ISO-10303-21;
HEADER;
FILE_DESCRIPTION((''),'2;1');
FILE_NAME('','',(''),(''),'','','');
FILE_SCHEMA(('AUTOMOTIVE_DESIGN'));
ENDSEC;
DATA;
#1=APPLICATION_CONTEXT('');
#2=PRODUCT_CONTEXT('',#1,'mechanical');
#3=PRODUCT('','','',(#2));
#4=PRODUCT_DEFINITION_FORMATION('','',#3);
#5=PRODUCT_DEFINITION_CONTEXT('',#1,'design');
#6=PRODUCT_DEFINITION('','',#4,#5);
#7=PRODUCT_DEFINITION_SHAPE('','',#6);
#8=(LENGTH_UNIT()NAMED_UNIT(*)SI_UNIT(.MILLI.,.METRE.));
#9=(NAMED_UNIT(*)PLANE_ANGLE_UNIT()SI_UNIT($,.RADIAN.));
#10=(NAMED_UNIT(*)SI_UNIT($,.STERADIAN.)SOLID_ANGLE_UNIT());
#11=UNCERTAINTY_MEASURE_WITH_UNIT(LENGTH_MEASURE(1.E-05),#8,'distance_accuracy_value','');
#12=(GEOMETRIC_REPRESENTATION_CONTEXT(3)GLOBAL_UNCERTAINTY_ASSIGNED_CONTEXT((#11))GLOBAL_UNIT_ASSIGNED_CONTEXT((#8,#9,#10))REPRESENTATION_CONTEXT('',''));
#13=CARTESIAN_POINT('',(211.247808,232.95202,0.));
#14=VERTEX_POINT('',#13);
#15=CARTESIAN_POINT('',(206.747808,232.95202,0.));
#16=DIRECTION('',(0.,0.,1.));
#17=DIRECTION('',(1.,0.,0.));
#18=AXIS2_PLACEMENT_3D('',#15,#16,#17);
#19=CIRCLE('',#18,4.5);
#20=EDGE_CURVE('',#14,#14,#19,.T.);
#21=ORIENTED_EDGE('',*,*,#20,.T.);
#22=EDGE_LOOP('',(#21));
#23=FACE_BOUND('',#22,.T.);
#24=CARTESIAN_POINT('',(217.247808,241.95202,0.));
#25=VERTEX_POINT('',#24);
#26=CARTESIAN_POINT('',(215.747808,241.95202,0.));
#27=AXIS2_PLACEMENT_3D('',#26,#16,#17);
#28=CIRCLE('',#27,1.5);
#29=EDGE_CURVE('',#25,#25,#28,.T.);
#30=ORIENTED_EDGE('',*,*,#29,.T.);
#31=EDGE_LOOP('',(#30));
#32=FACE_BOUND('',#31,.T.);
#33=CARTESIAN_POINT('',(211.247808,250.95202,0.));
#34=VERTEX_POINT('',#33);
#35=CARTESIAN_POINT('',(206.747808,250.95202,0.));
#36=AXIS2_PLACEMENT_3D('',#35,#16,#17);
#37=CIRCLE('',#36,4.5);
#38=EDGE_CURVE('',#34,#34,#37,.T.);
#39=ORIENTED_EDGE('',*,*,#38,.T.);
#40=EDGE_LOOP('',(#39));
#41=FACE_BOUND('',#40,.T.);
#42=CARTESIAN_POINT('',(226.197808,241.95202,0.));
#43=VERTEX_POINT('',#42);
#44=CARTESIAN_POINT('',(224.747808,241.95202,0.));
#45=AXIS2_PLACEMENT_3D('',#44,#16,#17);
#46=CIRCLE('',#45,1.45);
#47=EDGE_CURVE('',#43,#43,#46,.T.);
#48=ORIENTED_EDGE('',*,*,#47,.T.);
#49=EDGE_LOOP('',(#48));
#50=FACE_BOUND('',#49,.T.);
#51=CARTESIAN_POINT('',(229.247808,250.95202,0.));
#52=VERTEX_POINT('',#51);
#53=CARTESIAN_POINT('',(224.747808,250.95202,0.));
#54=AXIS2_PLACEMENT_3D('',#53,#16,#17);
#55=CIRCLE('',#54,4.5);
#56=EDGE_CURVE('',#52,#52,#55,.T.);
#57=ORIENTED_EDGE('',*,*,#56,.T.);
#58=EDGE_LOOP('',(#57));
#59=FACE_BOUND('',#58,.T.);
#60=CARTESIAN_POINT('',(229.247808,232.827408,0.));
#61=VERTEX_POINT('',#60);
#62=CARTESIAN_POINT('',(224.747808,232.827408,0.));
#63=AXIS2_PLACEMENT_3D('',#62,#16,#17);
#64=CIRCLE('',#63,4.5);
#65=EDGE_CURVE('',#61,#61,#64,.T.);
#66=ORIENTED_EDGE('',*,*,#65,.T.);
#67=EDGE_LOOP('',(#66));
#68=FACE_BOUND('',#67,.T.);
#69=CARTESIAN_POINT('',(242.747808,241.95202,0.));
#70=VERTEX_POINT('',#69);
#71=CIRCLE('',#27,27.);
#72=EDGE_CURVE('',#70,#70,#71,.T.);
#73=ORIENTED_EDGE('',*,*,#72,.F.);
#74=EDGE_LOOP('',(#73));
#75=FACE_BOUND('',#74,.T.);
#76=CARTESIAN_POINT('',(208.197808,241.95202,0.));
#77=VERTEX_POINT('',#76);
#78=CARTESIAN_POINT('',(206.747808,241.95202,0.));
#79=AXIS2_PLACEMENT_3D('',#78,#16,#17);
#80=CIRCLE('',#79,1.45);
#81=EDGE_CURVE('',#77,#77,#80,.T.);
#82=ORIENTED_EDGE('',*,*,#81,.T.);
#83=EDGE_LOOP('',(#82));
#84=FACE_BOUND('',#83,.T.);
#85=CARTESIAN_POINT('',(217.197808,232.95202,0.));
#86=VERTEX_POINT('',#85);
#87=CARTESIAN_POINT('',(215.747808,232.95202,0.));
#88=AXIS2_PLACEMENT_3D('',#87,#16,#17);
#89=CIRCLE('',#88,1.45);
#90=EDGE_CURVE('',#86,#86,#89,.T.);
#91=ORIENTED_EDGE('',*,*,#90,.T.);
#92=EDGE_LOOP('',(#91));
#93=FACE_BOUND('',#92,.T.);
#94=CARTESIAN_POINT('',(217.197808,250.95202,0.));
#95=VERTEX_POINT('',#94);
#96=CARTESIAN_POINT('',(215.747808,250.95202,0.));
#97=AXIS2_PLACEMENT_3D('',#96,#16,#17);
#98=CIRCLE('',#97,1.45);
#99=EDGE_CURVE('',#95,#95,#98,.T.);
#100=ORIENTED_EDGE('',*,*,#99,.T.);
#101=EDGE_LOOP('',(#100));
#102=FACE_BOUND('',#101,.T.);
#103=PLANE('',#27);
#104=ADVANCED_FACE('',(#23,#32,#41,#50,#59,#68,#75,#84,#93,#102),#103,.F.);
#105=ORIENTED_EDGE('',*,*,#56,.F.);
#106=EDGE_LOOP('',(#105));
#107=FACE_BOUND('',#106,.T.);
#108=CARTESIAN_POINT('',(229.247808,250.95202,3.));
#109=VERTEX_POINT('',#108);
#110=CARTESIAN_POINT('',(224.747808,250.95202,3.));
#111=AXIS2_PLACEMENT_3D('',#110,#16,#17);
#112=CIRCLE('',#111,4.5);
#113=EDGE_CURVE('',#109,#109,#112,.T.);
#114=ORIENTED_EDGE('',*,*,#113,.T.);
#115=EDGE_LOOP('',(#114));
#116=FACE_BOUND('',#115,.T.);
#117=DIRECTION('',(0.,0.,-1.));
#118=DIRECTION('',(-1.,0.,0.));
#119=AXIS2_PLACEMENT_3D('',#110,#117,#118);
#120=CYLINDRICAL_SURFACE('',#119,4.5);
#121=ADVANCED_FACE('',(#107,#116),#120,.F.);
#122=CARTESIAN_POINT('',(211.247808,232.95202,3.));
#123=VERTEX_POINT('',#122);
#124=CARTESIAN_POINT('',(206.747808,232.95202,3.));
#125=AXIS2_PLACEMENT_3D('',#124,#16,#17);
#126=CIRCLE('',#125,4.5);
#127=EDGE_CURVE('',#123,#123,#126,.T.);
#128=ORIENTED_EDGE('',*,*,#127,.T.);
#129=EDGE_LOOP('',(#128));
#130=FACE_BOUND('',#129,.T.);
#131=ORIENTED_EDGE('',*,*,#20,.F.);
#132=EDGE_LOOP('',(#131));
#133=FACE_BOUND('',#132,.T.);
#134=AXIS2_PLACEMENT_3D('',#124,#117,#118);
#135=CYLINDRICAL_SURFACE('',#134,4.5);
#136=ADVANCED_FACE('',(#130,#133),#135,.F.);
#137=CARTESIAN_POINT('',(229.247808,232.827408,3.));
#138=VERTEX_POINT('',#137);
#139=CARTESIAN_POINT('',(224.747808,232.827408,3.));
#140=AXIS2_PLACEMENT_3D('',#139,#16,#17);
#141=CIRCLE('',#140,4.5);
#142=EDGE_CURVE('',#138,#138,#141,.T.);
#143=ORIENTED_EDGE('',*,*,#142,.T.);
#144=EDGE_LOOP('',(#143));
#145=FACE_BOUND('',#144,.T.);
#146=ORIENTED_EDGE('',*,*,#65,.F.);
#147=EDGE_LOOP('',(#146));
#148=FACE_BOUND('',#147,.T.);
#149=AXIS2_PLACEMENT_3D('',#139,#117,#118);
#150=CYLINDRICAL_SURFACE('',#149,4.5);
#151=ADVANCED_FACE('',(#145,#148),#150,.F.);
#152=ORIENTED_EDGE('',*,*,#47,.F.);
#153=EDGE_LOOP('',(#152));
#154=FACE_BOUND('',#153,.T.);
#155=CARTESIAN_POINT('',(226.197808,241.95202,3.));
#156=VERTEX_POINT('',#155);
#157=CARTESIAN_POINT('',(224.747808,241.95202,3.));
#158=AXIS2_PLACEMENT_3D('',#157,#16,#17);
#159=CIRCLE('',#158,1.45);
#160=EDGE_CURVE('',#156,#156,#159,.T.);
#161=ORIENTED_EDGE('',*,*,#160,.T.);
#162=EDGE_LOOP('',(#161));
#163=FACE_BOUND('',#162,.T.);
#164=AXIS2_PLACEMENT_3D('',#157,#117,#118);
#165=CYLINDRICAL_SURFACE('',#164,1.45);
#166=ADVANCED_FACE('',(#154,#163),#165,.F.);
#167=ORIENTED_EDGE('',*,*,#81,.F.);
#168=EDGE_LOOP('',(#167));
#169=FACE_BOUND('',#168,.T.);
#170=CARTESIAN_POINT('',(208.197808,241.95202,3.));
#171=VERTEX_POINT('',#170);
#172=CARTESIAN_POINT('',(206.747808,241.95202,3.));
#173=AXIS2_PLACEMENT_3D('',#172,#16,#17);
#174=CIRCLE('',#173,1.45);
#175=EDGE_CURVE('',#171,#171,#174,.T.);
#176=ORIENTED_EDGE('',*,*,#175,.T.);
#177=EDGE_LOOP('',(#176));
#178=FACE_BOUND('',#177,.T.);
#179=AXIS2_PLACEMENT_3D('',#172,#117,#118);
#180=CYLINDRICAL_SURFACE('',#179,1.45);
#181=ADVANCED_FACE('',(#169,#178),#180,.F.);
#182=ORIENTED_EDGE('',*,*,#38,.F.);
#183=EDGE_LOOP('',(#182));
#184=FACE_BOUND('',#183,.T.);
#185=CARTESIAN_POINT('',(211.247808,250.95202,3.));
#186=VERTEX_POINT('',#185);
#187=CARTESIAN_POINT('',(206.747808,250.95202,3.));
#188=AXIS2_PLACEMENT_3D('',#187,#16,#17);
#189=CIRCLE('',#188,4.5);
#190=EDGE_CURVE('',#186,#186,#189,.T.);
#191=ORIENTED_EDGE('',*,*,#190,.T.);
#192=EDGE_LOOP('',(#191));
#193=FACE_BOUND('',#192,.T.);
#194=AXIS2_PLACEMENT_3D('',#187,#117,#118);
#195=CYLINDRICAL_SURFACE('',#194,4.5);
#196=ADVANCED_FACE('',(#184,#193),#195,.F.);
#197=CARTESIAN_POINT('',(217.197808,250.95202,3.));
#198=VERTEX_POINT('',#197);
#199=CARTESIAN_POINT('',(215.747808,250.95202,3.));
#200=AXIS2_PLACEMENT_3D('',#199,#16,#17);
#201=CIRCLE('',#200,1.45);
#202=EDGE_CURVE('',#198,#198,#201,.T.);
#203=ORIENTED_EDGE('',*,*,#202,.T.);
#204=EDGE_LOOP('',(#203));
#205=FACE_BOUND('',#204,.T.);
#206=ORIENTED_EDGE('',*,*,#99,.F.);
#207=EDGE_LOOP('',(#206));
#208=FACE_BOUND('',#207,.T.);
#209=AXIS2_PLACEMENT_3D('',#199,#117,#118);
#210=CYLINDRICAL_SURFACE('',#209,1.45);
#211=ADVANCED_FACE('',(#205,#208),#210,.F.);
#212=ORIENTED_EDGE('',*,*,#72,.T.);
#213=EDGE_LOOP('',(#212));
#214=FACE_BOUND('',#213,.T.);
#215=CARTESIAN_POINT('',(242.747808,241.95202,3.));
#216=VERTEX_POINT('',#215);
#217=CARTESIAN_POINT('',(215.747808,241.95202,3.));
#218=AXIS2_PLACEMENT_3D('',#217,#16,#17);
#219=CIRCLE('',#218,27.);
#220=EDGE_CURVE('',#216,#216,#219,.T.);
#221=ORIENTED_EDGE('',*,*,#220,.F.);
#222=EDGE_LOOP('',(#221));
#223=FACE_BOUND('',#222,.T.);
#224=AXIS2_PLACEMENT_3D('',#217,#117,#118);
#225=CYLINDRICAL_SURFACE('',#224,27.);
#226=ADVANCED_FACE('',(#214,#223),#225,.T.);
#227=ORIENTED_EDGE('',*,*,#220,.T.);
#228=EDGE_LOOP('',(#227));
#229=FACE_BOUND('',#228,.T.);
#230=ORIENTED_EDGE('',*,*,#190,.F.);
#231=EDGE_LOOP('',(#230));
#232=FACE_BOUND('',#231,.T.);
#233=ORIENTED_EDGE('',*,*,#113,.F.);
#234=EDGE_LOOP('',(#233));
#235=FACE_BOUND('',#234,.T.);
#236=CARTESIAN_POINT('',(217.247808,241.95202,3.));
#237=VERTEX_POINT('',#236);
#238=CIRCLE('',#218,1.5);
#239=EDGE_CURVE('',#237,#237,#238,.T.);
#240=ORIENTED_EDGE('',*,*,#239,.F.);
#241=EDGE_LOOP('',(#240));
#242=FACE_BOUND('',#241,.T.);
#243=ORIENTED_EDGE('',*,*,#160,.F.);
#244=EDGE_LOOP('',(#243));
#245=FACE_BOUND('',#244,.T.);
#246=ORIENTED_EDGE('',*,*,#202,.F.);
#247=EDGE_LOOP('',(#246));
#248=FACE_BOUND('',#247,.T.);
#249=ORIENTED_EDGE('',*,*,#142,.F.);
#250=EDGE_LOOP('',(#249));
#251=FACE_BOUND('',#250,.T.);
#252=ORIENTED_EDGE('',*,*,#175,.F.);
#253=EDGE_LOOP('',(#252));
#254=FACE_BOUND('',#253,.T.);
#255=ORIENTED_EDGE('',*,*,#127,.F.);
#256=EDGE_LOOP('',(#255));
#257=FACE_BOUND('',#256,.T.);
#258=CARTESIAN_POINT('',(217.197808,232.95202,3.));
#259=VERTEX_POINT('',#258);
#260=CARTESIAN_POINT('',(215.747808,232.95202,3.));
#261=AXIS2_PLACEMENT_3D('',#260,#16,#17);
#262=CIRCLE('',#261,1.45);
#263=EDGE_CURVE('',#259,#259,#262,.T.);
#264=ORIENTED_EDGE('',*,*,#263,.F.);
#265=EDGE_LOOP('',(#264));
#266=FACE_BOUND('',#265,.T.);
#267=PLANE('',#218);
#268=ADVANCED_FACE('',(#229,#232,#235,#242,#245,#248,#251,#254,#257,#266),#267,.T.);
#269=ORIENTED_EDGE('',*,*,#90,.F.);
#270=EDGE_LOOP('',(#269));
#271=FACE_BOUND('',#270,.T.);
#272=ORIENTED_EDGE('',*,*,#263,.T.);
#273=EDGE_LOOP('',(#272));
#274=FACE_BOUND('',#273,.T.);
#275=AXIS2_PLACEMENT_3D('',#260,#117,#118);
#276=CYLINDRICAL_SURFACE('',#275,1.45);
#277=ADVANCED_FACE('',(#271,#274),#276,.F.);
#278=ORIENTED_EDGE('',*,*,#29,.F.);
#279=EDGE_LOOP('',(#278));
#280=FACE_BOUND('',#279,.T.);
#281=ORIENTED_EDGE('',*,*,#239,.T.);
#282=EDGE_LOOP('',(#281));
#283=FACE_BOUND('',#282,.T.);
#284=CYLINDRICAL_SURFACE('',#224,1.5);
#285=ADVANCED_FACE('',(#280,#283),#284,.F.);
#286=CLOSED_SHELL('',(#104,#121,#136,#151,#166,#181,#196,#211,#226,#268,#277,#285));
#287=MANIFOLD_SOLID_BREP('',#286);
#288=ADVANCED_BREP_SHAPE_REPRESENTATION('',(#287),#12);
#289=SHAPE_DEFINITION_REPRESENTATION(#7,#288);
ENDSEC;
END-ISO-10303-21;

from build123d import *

# Parameters (mm, degrees)
MODEL_R                 = 27
MODEL_R_2               = 4.5
MODEL_R_3               = 1.5
MODEL_R_4               = 1.45
SALIENTE_EXTRUIR1_DEPTH = 3


with BuildPart() as part:
    # Model → Saliente-Extruir1 (new body)
    with BuildSketch(Plane.XY):
        with Locations((215.747807914, 241.952019993)):
            Circle(MODEL_R)
        with Locations((206.747807913, 250.952019993)):
            Circle(MODEL_R_2, mode=Mode.SUBTRACT)
        with Locations((206.747807913, 232.952019993)):
            Circle(MODEL_R_2, mode=Mode.SUBTRACT)
        with Locations((224.747807913, 232.827408196)):
            Circle(MODEL_R_2, mode=Mode.SUBTRACT)
        with Locations((224.747807913, 250.952019993)):
            Circle(MODEL_R_2, mode=Mode.SUBTRACT)
        with Locations((215.747807914, 241.952019993)):
            Circle(MODEL_R_3, mode=Mode.SUBTRACT)
        with Locations((215.747807914, 232.952019993)):
            Circle(MODEL_R_4, mode=Mode.SUBTRACT)
        with Locations((215.747807914, 250.952019993)):
            Circle(MODEL_R_4, mode=Mode.SUBTRACT)
        with Locations((224.747807913, 241.952019993)):
            Circle(MODEL_R_4, mode=Mode.SUBTRACT)
        with Locations((206.747807913, 241.952019993)):
            Circle(MODEL_R_4, mode=Mode.SUBTRACT)
    extrude(amount=SALIENTE_EXTRUIR1_DEPTH)


solid = part.part
